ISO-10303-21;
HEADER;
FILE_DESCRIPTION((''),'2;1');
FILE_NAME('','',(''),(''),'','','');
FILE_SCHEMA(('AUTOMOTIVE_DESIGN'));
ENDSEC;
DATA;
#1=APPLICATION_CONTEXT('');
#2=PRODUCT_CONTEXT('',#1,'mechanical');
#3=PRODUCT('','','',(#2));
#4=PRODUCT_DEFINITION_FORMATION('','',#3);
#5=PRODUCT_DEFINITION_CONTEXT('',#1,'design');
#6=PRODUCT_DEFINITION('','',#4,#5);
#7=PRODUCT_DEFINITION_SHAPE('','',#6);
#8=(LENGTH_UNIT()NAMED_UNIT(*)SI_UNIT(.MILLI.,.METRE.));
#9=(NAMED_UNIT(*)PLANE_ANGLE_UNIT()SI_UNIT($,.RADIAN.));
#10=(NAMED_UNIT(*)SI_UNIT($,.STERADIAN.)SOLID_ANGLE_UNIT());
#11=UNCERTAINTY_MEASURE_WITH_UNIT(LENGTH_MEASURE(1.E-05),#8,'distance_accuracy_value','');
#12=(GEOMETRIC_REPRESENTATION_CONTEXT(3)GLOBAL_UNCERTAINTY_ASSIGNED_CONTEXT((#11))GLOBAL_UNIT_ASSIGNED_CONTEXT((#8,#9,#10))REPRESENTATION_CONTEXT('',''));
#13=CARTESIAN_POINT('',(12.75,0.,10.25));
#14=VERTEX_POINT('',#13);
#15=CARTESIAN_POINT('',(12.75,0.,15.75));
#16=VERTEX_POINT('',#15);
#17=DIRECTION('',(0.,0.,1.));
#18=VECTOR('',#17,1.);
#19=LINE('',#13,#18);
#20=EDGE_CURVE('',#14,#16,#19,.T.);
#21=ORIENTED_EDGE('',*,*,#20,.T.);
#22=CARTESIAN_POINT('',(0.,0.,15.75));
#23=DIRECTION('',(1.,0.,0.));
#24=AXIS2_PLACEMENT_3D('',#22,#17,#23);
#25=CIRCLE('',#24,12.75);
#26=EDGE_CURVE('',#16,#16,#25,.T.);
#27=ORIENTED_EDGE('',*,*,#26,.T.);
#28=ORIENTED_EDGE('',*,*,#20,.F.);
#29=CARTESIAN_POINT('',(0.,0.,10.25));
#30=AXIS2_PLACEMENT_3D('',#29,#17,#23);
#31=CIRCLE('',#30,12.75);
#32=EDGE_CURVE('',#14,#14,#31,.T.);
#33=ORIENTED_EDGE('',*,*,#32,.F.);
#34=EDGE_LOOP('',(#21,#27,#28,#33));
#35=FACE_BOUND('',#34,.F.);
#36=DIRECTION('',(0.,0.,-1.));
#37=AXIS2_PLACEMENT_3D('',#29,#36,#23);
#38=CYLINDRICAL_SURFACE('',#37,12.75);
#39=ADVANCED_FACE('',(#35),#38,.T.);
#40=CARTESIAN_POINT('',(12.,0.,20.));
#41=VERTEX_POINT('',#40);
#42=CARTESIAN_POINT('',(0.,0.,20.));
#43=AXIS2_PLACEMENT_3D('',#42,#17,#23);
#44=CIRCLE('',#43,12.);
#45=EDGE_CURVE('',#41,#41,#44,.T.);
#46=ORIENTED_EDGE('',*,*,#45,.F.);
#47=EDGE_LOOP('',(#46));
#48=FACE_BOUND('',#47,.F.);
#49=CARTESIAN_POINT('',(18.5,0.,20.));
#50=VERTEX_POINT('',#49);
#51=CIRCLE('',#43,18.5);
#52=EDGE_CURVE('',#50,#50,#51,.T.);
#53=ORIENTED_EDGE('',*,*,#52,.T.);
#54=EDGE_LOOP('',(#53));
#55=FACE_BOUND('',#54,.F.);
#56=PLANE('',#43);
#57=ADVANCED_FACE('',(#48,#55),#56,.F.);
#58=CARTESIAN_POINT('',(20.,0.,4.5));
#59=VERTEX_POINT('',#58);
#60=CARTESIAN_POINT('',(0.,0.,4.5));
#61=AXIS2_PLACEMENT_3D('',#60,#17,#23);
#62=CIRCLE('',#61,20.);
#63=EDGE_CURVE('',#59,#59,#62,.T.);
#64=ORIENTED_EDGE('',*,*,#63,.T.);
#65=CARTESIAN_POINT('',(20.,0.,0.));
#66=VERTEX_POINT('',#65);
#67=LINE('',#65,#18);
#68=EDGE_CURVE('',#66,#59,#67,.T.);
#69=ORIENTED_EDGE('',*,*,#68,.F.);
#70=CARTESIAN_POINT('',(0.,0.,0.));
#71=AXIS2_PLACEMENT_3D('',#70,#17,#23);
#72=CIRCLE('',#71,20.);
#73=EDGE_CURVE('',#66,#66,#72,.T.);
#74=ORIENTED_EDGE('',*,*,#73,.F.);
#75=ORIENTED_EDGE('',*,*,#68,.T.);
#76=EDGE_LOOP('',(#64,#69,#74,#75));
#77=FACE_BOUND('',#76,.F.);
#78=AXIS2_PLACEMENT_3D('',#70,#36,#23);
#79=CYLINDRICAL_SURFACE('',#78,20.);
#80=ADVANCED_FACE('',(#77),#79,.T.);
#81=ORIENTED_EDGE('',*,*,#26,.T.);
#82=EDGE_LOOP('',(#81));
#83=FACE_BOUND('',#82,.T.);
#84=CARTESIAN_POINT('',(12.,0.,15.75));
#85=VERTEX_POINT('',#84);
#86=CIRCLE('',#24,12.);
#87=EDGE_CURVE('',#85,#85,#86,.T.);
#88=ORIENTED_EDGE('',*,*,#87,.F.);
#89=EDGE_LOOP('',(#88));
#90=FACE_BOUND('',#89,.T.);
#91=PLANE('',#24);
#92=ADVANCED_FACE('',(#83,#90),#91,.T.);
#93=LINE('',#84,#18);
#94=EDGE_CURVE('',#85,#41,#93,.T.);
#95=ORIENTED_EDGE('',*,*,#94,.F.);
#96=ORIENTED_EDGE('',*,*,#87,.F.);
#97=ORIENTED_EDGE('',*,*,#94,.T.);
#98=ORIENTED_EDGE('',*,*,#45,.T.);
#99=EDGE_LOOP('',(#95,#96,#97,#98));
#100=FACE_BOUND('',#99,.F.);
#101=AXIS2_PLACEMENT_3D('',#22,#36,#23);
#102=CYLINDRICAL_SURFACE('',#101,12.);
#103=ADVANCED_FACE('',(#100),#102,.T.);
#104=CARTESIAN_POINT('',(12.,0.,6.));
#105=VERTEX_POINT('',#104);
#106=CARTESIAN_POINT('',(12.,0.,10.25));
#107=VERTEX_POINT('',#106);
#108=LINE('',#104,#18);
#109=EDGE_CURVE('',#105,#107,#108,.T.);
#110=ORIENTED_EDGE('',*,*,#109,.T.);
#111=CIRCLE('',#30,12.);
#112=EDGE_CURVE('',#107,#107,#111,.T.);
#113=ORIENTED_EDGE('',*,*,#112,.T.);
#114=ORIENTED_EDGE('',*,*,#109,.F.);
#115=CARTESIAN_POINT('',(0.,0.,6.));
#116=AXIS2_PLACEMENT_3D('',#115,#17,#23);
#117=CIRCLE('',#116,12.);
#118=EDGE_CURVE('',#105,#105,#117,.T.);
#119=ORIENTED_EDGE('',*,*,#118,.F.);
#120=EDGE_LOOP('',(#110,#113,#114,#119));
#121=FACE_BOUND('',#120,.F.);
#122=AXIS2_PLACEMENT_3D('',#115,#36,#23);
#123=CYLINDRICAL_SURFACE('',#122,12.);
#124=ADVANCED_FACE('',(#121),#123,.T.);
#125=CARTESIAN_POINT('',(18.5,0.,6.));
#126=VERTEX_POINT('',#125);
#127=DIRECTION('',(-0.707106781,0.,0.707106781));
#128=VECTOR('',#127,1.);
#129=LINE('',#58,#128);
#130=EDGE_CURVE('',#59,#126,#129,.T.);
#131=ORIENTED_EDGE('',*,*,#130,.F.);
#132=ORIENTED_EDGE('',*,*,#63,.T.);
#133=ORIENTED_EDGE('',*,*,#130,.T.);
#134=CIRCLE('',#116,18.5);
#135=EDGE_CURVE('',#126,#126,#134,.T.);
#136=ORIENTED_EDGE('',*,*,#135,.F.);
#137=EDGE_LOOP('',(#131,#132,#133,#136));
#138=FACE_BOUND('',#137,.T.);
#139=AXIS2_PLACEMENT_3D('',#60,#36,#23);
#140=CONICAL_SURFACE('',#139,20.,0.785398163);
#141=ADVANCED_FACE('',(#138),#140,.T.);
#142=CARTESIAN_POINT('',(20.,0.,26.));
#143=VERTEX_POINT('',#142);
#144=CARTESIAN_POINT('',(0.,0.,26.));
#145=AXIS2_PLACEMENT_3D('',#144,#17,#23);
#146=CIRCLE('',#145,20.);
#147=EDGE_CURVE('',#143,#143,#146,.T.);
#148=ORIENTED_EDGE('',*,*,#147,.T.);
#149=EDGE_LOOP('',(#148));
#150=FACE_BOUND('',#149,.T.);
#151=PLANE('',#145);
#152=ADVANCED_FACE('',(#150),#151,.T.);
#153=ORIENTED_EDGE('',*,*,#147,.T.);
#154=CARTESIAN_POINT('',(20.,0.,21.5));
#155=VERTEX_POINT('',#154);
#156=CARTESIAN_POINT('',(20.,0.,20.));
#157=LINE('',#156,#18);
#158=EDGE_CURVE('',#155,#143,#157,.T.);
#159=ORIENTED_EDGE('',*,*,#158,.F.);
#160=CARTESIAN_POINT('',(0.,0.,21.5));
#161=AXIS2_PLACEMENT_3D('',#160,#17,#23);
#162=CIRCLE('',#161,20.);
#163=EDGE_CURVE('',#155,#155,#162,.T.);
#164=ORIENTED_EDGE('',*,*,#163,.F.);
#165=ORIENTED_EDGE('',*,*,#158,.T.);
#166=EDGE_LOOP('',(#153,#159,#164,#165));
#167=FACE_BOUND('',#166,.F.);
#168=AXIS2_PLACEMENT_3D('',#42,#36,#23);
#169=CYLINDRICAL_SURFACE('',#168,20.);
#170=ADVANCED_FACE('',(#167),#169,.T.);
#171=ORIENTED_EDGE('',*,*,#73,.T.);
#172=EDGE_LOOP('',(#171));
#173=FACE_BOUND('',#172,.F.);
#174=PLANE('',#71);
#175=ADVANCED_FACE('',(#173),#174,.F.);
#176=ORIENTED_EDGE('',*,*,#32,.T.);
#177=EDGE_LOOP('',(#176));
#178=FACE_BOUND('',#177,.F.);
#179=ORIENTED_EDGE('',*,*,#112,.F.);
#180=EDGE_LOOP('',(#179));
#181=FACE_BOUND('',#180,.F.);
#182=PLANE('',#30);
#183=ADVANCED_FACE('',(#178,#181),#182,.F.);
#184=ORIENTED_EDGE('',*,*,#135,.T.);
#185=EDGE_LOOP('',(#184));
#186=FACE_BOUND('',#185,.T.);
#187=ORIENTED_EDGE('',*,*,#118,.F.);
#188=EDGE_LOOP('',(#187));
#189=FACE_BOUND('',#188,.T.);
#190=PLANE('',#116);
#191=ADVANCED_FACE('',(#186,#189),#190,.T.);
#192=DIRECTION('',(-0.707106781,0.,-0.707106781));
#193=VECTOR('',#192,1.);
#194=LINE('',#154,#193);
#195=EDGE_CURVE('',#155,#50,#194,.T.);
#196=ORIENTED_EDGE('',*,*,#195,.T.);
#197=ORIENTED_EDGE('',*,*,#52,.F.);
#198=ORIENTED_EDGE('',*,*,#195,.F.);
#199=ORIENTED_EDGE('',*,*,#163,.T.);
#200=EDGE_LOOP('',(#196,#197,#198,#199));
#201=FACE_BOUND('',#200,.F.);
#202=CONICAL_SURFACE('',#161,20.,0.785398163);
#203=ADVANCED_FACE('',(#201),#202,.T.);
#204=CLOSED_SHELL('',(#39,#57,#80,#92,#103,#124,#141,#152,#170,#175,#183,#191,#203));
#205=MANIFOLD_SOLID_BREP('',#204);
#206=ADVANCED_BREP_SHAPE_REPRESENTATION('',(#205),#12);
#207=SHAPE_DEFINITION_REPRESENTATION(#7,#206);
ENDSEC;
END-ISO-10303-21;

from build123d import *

# Parameters (mm, degrees)
F0_R      = 20
F1_DEPTH  = 6
F2_SIZE   = 1.5
F4_R      = 12
F5_DEPTH  = 4.25
F7_R      = 12.75
F8_DEPTH  = 5.5
F10_R     = 12
F11_DEPTH = 4.25
F13_R     = 20
F14_DEPTH = 6
F15_SIZE  = 1.5


with BuildPart() as f1:
    # F0 (on Top) → F1 (new body)
    with BuildSketch(Plane.XY):
        Circle(F0_R)
    extrude(amount=F1_DEPTH)

    # F2
    f2_edges = [f1.edges().sort_by_distance(p)[0] for p in [
        (-20, 0, 6),
    ]]
    chamfer(f2_edges, length=F2_SIZE)

    # F4 (on offset) → F5 (join)
    with BuildSketch(Plane.XY.offset(6)):
        Circle(F4_R)
    extrude(amount=F5_DEPTH)

    # F7 (on offset) → F8 (join)
    with BuildSketch(Plane.XY.offset(10.25)):
        Circle(F7_R)
    extrude(amount=F8_DEPTH)

    # F10 (on offset) → F11 (join)
    with BuildSketch(Plane.XY.offset(15.75)):
        Circle(F10_R)
    extrude(amount=F11_DEPTH)

    # F13 (on offset) → F14 (join)
    with BuildSketch(Plane.XY.offset(20)):
        Circle(F13_R)
    extrude(amount=F14_DEPTH)

    # F15
    f15_edges = [f1.edges().sort_by_distance(p)[0] for p in [
        (-20, 0, 20),
    ]]
    chamfer(f15_edges, length=F15_SIZE)


solid = f1.part
